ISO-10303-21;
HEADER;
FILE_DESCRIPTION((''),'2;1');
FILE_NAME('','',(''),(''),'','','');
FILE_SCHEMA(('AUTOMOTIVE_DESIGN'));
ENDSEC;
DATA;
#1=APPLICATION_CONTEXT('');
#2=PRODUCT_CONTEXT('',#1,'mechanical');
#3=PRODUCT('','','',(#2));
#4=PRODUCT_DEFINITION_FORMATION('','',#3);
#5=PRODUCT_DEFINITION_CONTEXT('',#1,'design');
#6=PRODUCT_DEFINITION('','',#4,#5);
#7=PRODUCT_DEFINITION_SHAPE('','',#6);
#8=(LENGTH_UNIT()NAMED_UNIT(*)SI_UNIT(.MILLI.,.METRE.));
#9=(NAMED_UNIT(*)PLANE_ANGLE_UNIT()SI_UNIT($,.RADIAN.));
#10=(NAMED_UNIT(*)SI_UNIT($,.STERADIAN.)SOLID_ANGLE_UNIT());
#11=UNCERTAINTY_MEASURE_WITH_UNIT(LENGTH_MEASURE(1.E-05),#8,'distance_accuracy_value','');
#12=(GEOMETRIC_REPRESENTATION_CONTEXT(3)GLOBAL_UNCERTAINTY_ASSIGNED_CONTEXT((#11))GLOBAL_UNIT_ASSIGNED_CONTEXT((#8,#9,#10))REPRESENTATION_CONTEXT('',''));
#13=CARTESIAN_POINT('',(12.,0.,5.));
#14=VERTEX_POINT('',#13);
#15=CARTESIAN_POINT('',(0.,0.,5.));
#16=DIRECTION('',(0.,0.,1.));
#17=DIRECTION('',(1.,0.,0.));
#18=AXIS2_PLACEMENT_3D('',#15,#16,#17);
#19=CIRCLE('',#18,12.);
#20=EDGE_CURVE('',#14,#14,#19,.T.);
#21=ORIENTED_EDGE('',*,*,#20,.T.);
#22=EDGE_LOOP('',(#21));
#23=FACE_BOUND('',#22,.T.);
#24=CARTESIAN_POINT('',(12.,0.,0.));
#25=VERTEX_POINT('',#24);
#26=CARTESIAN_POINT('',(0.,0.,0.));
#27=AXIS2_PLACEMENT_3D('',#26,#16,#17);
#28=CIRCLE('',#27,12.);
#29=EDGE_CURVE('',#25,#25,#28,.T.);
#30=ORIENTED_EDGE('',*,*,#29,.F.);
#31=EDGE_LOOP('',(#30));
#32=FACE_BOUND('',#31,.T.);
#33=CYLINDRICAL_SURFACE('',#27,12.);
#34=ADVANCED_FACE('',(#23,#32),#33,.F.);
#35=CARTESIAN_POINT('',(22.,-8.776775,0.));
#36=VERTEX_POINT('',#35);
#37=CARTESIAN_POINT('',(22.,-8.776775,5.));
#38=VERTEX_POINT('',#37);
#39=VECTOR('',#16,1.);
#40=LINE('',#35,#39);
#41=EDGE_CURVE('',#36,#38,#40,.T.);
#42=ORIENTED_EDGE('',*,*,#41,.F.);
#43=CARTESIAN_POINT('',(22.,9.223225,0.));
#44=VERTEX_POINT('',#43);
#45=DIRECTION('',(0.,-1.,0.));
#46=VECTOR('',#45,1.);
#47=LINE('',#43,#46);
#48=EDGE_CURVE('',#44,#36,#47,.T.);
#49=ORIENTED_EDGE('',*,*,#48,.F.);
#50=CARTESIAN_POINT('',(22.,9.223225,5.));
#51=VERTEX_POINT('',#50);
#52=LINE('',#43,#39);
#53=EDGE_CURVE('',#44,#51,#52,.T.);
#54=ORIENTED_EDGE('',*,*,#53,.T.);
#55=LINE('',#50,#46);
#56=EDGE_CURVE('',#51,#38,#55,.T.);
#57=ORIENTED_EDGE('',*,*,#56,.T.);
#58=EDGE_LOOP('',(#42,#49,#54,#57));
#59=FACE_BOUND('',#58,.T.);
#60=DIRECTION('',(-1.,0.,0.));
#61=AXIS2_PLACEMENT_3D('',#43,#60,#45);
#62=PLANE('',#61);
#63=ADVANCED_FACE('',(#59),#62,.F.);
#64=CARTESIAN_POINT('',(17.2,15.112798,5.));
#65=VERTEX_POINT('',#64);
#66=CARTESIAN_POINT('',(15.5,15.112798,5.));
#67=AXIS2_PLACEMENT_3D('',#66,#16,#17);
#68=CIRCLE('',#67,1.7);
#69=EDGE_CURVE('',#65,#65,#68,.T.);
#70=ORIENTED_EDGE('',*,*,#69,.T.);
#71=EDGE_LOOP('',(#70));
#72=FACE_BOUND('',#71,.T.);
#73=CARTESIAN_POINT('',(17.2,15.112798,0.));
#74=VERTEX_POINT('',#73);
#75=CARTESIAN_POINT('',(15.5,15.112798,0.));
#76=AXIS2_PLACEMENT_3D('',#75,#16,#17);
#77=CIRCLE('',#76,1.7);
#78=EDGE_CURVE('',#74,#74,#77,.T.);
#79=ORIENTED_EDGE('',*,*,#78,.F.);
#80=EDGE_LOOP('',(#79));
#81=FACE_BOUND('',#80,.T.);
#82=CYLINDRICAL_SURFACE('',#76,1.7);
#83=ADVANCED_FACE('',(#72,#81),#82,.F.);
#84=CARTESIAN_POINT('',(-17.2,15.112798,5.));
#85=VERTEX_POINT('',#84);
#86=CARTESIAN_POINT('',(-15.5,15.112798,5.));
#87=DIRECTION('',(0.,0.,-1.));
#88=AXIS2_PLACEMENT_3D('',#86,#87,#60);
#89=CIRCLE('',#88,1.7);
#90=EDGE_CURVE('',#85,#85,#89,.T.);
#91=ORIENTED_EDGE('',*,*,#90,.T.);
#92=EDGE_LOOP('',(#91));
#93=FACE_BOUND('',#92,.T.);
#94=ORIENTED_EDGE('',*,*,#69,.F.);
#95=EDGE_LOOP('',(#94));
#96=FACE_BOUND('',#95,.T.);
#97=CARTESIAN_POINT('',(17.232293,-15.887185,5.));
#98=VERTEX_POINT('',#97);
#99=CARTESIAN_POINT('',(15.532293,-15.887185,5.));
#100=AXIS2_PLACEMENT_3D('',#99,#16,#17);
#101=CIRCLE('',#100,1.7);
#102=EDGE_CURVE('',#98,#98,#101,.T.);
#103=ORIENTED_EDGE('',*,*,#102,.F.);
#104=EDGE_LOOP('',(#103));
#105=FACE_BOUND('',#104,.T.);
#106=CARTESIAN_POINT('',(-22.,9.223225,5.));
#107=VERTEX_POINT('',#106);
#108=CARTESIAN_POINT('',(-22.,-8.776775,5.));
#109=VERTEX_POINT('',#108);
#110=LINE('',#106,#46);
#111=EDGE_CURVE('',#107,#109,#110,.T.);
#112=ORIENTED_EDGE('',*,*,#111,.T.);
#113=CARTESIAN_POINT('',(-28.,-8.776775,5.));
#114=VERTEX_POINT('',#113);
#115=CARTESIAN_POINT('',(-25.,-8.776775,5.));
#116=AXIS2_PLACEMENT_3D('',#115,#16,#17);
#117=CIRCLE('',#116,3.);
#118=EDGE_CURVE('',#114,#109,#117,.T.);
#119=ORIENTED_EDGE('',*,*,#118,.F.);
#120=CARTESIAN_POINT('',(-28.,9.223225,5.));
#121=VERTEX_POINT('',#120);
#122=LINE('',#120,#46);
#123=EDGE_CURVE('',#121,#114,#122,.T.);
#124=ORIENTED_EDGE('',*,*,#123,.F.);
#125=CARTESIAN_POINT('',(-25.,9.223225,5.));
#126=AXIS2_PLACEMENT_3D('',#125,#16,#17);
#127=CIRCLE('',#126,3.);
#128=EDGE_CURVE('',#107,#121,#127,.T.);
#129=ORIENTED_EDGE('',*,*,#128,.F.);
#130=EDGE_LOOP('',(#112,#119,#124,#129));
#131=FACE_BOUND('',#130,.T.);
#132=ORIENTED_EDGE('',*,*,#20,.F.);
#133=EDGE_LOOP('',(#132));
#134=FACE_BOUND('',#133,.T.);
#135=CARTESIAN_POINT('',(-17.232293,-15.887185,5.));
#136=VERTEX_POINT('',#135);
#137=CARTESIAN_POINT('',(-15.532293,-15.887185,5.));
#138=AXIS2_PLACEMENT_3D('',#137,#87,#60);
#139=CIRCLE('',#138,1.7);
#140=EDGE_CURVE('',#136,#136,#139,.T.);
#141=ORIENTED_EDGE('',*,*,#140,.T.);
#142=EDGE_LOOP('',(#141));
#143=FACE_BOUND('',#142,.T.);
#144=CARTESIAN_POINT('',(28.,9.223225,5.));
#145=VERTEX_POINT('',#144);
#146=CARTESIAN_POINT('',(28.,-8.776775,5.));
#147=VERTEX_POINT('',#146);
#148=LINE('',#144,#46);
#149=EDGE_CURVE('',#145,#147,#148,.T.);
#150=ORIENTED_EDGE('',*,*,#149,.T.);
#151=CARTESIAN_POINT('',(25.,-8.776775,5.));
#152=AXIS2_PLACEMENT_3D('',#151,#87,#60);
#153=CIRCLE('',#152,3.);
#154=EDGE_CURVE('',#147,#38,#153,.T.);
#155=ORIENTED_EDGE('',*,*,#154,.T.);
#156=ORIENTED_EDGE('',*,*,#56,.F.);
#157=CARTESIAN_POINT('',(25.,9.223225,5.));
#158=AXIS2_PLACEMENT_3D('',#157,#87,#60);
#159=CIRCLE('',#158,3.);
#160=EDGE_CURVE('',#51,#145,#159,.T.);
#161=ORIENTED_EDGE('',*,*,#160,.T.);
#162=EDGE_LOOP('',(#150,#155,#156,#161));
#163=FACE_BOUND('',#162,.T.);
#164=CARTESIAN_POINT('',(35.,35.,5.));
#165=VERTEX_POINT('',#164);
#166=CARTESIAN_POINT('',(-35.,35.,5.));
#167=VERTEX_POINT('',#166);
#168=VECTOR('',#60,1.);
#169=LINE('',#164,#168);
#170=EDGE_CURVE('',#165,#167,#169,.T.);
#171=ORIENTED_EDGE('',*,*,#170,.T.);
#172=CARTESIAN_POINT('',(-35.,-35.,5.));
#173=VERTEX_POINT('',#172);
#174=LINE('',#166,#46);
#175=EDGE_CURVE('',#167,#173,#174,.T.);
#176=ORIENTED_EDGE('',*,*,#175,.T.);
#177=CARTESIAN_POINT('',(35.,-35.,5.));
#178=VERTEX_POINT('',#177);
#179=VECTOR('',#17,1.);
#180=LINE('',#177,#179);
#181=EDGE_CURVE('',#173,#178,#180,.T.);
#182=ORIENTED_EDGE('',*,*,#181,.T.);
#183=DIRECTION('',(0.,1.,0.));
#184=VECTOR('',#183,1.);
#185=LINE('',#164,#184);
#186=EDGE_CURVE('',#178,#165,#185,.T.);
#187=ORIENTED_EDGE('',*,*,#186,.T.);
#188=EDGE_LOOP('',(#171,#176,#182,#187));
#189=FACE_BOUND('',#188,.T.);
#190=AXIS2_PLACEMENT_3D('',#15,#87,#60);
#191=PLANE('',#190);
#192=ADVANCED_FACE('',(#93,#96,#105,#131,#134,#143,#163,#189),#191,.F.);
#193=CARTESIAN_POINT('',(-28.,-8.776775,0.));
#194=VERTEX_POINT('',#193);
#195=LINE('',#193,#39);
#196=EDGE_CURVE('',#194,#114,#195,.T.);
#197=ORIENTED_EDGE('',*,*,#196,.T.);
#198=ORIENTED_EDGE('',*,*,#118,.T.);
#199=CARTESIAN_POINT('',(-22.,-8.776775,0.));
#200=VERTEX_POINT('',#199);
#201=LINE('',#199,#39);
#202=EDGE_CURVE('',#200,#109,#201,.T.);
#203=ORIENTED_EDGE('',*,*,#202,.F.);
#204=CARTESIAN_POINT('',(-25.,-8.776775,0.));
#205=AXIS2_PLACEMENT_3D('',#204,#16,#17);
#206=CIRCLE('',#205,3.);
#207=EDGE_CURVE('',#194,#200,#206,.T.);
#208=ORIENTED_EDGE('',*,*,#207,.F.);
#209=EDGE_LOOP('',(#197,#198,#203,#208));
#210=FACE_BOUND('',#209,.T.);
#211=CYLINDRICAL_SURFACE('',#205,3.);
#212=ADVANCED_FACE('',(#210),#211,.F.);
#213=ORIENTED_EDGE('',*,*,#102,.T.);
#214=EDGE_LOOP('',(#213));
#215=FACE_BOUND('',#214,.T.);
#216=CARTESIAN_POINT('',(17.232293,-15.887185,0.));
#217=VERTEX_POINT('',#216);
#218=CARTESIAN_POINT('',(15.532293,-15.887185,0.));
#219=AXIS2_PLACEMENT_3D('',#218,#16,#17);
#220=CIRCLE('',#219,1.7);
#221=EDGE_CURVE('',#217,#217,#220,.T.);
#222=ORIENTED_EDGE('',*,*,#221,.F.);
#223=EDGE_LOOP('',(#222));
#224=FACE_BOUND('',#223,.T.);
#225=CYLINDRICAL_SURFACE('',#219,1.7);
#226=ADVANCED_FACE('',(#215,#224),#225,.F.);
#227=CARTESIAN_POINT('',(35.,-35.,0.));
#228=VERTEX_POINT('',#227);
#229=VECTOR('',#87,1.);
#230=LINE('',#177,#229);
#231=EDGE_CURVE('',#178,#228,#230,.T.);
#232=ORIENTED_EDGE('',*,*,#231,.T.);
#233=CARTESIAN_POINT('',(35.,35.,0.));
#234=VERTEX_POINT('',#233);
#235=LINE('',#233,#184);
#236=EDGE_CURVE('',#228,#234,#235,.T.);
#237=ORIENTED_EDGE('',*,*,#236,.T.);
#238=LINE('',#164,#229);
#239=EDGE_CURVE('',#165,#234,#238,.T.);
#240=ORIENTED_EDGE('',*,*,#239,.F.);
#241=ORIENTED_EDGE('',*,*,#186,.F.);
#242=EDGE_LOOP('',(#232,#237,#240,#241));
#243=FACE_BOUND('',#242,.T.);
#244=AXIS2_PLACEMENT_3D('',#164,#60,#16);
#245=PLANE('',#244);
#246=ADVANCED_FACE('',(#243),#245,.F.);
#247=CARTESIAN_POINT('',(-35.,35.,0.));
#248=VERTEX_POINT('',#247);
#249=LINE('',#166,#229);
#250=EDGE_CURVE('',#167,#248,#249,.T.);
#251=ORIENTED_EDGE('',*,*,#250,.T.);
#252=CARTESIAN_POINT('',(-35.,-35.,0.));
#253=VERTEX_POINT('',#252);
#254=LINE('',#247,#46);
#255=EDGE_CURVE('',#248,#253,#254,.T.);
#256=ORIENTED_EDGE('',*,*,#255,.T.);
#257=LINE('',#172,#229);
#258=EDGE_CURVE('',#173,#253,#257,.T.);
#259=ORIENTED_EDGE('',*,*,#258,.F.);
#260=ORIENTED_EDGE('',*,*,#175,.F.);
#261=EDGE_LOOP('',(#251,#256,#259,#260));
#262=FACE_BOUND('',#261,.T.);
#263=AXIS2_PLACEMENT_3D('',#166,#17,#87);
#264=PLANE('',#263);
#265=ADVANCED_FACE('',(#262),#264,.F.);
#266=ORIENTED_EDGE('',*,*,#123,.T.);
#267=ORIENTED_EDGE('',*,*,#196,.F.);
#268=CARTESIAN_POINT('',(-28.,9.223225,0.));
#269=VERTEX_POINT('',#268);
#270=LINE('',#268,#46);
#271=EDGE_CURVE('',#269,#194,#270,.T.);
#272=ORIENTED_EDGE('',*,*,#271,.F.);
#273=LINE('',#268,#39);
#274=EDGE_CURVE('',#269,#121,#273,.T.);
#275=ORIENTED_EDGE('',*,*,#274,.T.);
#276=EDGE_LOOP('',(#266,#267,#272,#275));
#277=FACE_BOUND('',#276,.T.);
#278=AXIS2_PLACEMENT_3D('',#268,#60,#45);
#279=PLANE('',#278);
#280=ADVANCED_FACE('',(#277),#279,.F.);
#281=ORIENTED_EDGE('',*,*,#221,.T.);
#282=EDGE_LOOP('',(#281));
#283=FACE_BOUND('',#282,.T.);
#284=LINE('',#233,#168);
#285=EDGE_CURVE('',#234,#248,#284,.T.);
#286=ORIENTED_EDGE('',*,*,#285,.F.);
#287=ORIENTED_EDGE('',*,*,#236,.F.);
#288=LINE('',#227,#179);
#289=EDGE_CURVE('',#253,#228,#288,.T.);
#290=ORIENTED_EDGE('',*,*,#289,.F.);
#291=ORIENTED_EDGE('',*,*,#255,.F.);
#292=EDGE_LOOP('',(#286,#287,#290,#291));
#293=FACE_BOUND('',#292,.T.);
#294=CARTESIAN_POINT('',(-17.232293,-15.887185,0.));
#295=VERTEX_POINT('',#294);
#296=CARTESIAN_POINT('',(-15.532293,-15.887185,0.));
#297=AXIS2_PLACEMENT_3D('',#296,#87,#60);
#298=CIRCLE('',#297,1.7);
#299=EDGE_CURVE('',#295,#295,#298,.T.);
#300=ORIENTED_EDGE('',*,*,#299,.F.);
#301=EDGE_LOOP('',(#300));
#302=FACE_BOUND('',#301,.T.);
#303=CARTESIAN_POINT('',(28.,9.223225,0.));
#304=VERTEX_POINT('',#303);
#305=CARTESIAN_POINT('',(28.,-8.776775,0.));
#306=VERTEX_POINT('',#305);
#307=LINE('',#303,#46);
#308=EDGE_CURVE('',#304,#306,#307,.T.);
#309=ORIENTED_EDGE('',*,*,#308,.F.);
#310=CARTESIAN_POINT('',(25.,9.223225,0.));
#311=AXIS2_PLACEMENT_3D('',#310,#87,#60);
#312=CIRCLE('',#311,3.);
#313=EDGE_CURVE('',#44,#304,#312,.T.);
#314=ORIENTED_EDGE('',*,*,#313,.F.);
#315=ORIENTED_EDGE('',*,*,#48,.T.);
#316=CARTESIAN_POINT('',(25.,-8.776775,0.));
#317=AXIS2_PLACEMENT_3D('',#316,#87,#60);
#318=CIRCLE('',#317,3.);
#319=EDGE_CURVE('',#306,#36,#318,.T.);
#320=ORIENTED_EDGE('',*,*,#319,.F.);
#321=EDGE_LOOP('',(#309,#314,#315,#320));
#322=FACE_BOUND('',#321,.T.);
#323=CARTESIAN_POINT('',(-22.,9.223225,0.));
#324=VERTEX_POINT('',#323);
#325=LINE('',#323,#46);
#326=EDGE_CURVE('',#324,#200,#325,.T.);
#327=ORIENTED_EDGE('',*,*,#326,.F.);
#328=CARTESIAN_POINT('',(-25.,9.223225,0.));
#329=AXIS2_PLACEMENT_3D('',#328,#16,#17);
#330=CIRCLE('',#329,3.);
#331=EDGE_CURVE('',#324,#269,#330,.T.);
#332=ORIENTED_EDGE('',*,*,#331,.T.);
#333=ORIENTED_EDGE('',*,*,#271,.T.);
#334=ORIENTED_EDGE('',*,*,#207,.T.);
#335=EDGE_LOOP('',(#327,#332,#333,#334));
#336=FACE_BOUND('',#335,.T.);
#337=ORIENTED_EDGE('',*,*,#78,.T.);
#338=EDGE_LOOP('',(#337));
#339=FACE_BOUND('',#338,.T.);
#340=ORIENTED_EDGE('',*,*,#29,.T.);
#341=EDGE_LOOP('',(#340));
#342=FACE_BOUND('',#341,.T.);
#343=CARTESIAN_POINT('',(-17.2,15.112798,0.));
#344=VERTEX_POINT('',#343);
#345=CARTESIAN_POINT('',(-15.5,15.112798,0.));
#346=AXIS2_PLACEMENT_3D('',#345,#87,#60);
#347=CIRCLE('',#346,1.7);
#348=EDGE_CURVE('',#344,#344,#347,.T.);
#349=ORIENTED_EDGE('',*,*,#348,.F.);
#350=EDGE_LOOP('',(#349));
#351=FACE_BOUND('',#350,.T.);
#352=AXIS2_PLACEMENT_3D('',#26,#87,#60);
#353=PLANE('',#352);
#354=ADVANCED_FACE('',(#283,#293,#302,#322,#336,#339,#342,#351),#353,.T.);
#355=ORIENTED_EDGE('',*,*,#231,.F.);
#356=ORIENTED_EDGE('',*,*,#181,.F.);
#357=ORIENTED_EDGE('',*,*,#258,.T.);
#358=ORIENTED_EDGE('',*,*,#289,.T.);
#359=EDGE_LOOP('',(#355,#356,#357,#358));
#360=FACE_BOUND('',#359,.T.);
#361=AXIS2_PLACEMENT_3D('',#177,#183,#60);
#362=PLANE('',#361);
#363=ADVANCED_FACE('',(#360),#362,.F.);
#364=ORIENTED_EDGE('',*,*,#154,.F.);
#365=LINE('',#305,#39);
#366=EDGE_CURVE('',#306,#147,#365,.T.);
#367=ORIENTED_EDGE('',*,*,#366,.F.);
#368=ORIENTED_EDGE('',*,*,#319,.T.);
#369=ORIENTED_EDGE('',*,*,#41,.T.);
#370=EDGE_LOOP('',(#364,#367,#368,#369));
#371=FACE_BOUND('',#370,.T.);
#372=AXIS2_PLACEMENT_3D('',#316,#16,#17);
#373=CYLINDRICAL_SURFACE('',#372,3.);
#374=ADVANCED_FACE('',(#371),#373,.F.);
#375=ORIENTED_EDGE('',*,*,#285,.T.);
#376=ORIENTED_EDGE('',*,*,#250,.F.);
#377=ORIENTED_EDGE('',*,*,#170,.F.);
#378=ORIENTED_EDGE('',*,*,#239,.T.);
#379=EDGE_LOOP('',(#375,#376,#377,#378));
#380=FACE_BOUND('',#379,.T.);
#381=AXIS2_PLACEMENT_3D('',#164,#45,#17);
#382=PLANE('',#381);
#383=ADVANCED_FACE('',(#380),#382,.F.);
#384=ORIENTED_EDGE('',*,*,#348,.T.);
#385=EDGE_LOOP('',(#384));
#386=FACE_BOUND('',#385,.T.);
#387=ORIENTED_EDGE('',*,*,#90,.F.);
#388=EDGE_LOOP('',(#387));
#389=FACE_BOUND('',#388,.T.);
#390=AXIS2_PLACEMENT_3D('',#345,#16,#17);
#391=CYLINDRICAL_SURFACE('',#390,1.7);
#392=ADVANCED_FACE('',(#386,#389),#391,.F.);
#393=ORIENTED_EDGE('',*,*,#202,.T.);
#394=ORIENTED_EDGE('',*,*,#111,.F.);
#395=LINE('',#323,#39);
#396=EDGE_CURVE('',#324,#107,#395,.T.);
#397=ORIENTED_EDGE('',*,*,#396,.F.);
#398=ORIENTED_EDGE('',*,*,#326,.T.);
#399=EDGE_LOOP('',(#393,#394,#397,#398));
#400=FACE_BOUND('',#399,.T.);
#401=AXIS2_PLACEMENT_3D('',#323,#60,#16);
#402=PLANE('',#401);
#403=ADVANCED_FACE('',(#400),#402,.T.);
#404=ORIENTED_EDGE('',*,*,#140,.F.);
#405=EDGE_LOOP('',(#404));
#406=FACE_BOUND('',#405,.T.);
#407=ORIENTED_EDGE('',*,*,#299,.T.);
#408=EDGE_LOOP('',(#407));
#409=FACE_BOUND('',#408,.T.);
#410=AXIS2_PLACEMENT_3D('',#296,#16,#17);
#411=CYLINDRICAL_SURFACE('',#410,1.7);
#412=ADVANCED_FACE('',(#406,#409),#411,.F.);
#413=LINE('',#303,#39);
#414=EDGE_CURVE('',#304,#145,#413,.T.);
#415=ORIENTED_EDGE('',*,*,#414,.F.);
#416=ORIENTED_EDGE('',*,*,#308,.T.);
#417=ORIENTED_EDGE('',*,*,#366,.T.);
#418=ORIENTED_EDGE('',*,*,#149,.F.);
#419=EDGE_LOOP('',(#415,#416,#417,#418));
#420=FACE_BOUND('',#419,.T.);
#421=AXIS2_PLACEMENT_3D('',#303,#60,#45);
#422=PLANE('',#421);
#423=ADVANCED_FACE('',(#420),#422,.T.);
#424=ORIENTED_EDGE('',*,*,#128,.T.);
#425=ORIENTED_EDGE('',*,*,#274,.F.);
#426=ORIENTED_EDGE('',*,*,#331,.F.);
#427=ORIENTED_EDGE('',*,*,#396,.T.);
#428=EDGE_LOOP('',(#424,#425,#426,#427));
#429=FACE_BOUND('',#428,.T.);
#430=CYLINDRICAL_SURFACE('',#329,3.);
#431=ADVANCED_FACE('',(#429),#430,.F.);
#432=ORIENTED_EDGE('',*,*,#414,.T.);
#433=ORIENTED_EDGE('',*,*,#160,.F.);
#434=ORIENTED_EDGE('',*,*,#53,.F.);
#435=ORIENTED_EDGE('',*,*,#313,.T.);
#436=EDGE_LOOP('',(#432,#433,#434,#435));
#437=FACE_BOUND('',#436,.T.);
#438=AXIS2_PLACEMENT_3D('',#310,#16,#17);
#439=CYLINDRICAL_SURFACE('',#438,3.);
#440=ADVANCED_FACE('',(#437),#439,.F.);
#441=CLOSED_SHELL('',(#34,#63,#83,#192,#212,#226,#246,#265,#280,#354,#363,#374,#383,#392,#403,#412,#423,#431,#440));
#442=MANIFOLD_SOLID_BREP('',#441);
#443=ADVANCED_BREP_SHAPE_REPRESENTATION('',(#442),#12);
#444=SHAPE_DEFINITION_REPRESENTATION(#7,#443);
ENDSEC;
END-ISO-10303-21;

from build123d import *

# Parameters (mm, degrees)
SKETCH1_W           = 70
SKETCH1_H           = 70
BOSS_EXTRUDE1_DEPTH = 5
SKETCH2_R           = 12
SKETCH2_R_2         = 1.7
CUT_EXTRUDE6_DEPTH  = 50.749371855
CUT_EXTRUDE7_DEPTH  = 50.749371855


with BuildPart() as part:
    # Sketch1 → Boss-Extrude1 (new body)
    with BuildSketch(Plane.XY):
        Rectangle(SKETCH1_W, SKETCH1_H)
    extrude(amount=BOSS_EXTRUDE1_DEPTH)

    # Sketch2 → Cut-Extrude6 (cut, through all)
    with BuildSketch(Plane.XY.offset(5)):
        Circle(SKETCH2_R)
        with Locations((15.5, 15.112797807)):
            Circle(SKETCH2_R_2)
        with Locations((15.532292635, -15.887185373)):
            Circle(SKETCH2_R_2)
        with Locations(Location((-15.532292635, -15.887185373, 0), (0, 0, 180))):
            Circle(SKETCH2_R_2)
        with Locations(Location((-15.5, 15.112797807, 0), (0, 0, 180))):
            Circle(SKETCH2_R_2)
    extrude(amount=-CUT_EXTRUDE6_DEPTH, mode=Mode.SUBTRACT)

    # Sketch3 → Cut-Extrude7 (cut, through all)
    with BuildSketch(Plane.XY.offset(5)):
        with BuildLine():
            Line((-22, 9.22322481), (-22, -8.77677519))
            ThreePointArc((-22, -8.77677519), (-25, -11.77677519), (-28, -8.77677519))
            Line((-28, -8.77677519), (-28, 9.22322481))
            ThreePointArc((-28, 9.22322481), (-25, 12.22322481), (-22, 9.22322481))
        make_face()
        with BuildLine():
            Line((22, 9.22322481), (22, -8.77677519))
            ThreePointArc((22, -8.77677519), (25, -11.77677519), (28, -8.77677519))
            Line((28, -8.77677519), (28, 9.22322481))
            ThreePointArc((28, 9.22322481), (25, 12.22322481), (22, 9.22322481))
        make_face()
    extrude(amount=-CUT_EXTRUDE7_DEPTH, mode=Mode.SUBTRACT)


solid = part.part
